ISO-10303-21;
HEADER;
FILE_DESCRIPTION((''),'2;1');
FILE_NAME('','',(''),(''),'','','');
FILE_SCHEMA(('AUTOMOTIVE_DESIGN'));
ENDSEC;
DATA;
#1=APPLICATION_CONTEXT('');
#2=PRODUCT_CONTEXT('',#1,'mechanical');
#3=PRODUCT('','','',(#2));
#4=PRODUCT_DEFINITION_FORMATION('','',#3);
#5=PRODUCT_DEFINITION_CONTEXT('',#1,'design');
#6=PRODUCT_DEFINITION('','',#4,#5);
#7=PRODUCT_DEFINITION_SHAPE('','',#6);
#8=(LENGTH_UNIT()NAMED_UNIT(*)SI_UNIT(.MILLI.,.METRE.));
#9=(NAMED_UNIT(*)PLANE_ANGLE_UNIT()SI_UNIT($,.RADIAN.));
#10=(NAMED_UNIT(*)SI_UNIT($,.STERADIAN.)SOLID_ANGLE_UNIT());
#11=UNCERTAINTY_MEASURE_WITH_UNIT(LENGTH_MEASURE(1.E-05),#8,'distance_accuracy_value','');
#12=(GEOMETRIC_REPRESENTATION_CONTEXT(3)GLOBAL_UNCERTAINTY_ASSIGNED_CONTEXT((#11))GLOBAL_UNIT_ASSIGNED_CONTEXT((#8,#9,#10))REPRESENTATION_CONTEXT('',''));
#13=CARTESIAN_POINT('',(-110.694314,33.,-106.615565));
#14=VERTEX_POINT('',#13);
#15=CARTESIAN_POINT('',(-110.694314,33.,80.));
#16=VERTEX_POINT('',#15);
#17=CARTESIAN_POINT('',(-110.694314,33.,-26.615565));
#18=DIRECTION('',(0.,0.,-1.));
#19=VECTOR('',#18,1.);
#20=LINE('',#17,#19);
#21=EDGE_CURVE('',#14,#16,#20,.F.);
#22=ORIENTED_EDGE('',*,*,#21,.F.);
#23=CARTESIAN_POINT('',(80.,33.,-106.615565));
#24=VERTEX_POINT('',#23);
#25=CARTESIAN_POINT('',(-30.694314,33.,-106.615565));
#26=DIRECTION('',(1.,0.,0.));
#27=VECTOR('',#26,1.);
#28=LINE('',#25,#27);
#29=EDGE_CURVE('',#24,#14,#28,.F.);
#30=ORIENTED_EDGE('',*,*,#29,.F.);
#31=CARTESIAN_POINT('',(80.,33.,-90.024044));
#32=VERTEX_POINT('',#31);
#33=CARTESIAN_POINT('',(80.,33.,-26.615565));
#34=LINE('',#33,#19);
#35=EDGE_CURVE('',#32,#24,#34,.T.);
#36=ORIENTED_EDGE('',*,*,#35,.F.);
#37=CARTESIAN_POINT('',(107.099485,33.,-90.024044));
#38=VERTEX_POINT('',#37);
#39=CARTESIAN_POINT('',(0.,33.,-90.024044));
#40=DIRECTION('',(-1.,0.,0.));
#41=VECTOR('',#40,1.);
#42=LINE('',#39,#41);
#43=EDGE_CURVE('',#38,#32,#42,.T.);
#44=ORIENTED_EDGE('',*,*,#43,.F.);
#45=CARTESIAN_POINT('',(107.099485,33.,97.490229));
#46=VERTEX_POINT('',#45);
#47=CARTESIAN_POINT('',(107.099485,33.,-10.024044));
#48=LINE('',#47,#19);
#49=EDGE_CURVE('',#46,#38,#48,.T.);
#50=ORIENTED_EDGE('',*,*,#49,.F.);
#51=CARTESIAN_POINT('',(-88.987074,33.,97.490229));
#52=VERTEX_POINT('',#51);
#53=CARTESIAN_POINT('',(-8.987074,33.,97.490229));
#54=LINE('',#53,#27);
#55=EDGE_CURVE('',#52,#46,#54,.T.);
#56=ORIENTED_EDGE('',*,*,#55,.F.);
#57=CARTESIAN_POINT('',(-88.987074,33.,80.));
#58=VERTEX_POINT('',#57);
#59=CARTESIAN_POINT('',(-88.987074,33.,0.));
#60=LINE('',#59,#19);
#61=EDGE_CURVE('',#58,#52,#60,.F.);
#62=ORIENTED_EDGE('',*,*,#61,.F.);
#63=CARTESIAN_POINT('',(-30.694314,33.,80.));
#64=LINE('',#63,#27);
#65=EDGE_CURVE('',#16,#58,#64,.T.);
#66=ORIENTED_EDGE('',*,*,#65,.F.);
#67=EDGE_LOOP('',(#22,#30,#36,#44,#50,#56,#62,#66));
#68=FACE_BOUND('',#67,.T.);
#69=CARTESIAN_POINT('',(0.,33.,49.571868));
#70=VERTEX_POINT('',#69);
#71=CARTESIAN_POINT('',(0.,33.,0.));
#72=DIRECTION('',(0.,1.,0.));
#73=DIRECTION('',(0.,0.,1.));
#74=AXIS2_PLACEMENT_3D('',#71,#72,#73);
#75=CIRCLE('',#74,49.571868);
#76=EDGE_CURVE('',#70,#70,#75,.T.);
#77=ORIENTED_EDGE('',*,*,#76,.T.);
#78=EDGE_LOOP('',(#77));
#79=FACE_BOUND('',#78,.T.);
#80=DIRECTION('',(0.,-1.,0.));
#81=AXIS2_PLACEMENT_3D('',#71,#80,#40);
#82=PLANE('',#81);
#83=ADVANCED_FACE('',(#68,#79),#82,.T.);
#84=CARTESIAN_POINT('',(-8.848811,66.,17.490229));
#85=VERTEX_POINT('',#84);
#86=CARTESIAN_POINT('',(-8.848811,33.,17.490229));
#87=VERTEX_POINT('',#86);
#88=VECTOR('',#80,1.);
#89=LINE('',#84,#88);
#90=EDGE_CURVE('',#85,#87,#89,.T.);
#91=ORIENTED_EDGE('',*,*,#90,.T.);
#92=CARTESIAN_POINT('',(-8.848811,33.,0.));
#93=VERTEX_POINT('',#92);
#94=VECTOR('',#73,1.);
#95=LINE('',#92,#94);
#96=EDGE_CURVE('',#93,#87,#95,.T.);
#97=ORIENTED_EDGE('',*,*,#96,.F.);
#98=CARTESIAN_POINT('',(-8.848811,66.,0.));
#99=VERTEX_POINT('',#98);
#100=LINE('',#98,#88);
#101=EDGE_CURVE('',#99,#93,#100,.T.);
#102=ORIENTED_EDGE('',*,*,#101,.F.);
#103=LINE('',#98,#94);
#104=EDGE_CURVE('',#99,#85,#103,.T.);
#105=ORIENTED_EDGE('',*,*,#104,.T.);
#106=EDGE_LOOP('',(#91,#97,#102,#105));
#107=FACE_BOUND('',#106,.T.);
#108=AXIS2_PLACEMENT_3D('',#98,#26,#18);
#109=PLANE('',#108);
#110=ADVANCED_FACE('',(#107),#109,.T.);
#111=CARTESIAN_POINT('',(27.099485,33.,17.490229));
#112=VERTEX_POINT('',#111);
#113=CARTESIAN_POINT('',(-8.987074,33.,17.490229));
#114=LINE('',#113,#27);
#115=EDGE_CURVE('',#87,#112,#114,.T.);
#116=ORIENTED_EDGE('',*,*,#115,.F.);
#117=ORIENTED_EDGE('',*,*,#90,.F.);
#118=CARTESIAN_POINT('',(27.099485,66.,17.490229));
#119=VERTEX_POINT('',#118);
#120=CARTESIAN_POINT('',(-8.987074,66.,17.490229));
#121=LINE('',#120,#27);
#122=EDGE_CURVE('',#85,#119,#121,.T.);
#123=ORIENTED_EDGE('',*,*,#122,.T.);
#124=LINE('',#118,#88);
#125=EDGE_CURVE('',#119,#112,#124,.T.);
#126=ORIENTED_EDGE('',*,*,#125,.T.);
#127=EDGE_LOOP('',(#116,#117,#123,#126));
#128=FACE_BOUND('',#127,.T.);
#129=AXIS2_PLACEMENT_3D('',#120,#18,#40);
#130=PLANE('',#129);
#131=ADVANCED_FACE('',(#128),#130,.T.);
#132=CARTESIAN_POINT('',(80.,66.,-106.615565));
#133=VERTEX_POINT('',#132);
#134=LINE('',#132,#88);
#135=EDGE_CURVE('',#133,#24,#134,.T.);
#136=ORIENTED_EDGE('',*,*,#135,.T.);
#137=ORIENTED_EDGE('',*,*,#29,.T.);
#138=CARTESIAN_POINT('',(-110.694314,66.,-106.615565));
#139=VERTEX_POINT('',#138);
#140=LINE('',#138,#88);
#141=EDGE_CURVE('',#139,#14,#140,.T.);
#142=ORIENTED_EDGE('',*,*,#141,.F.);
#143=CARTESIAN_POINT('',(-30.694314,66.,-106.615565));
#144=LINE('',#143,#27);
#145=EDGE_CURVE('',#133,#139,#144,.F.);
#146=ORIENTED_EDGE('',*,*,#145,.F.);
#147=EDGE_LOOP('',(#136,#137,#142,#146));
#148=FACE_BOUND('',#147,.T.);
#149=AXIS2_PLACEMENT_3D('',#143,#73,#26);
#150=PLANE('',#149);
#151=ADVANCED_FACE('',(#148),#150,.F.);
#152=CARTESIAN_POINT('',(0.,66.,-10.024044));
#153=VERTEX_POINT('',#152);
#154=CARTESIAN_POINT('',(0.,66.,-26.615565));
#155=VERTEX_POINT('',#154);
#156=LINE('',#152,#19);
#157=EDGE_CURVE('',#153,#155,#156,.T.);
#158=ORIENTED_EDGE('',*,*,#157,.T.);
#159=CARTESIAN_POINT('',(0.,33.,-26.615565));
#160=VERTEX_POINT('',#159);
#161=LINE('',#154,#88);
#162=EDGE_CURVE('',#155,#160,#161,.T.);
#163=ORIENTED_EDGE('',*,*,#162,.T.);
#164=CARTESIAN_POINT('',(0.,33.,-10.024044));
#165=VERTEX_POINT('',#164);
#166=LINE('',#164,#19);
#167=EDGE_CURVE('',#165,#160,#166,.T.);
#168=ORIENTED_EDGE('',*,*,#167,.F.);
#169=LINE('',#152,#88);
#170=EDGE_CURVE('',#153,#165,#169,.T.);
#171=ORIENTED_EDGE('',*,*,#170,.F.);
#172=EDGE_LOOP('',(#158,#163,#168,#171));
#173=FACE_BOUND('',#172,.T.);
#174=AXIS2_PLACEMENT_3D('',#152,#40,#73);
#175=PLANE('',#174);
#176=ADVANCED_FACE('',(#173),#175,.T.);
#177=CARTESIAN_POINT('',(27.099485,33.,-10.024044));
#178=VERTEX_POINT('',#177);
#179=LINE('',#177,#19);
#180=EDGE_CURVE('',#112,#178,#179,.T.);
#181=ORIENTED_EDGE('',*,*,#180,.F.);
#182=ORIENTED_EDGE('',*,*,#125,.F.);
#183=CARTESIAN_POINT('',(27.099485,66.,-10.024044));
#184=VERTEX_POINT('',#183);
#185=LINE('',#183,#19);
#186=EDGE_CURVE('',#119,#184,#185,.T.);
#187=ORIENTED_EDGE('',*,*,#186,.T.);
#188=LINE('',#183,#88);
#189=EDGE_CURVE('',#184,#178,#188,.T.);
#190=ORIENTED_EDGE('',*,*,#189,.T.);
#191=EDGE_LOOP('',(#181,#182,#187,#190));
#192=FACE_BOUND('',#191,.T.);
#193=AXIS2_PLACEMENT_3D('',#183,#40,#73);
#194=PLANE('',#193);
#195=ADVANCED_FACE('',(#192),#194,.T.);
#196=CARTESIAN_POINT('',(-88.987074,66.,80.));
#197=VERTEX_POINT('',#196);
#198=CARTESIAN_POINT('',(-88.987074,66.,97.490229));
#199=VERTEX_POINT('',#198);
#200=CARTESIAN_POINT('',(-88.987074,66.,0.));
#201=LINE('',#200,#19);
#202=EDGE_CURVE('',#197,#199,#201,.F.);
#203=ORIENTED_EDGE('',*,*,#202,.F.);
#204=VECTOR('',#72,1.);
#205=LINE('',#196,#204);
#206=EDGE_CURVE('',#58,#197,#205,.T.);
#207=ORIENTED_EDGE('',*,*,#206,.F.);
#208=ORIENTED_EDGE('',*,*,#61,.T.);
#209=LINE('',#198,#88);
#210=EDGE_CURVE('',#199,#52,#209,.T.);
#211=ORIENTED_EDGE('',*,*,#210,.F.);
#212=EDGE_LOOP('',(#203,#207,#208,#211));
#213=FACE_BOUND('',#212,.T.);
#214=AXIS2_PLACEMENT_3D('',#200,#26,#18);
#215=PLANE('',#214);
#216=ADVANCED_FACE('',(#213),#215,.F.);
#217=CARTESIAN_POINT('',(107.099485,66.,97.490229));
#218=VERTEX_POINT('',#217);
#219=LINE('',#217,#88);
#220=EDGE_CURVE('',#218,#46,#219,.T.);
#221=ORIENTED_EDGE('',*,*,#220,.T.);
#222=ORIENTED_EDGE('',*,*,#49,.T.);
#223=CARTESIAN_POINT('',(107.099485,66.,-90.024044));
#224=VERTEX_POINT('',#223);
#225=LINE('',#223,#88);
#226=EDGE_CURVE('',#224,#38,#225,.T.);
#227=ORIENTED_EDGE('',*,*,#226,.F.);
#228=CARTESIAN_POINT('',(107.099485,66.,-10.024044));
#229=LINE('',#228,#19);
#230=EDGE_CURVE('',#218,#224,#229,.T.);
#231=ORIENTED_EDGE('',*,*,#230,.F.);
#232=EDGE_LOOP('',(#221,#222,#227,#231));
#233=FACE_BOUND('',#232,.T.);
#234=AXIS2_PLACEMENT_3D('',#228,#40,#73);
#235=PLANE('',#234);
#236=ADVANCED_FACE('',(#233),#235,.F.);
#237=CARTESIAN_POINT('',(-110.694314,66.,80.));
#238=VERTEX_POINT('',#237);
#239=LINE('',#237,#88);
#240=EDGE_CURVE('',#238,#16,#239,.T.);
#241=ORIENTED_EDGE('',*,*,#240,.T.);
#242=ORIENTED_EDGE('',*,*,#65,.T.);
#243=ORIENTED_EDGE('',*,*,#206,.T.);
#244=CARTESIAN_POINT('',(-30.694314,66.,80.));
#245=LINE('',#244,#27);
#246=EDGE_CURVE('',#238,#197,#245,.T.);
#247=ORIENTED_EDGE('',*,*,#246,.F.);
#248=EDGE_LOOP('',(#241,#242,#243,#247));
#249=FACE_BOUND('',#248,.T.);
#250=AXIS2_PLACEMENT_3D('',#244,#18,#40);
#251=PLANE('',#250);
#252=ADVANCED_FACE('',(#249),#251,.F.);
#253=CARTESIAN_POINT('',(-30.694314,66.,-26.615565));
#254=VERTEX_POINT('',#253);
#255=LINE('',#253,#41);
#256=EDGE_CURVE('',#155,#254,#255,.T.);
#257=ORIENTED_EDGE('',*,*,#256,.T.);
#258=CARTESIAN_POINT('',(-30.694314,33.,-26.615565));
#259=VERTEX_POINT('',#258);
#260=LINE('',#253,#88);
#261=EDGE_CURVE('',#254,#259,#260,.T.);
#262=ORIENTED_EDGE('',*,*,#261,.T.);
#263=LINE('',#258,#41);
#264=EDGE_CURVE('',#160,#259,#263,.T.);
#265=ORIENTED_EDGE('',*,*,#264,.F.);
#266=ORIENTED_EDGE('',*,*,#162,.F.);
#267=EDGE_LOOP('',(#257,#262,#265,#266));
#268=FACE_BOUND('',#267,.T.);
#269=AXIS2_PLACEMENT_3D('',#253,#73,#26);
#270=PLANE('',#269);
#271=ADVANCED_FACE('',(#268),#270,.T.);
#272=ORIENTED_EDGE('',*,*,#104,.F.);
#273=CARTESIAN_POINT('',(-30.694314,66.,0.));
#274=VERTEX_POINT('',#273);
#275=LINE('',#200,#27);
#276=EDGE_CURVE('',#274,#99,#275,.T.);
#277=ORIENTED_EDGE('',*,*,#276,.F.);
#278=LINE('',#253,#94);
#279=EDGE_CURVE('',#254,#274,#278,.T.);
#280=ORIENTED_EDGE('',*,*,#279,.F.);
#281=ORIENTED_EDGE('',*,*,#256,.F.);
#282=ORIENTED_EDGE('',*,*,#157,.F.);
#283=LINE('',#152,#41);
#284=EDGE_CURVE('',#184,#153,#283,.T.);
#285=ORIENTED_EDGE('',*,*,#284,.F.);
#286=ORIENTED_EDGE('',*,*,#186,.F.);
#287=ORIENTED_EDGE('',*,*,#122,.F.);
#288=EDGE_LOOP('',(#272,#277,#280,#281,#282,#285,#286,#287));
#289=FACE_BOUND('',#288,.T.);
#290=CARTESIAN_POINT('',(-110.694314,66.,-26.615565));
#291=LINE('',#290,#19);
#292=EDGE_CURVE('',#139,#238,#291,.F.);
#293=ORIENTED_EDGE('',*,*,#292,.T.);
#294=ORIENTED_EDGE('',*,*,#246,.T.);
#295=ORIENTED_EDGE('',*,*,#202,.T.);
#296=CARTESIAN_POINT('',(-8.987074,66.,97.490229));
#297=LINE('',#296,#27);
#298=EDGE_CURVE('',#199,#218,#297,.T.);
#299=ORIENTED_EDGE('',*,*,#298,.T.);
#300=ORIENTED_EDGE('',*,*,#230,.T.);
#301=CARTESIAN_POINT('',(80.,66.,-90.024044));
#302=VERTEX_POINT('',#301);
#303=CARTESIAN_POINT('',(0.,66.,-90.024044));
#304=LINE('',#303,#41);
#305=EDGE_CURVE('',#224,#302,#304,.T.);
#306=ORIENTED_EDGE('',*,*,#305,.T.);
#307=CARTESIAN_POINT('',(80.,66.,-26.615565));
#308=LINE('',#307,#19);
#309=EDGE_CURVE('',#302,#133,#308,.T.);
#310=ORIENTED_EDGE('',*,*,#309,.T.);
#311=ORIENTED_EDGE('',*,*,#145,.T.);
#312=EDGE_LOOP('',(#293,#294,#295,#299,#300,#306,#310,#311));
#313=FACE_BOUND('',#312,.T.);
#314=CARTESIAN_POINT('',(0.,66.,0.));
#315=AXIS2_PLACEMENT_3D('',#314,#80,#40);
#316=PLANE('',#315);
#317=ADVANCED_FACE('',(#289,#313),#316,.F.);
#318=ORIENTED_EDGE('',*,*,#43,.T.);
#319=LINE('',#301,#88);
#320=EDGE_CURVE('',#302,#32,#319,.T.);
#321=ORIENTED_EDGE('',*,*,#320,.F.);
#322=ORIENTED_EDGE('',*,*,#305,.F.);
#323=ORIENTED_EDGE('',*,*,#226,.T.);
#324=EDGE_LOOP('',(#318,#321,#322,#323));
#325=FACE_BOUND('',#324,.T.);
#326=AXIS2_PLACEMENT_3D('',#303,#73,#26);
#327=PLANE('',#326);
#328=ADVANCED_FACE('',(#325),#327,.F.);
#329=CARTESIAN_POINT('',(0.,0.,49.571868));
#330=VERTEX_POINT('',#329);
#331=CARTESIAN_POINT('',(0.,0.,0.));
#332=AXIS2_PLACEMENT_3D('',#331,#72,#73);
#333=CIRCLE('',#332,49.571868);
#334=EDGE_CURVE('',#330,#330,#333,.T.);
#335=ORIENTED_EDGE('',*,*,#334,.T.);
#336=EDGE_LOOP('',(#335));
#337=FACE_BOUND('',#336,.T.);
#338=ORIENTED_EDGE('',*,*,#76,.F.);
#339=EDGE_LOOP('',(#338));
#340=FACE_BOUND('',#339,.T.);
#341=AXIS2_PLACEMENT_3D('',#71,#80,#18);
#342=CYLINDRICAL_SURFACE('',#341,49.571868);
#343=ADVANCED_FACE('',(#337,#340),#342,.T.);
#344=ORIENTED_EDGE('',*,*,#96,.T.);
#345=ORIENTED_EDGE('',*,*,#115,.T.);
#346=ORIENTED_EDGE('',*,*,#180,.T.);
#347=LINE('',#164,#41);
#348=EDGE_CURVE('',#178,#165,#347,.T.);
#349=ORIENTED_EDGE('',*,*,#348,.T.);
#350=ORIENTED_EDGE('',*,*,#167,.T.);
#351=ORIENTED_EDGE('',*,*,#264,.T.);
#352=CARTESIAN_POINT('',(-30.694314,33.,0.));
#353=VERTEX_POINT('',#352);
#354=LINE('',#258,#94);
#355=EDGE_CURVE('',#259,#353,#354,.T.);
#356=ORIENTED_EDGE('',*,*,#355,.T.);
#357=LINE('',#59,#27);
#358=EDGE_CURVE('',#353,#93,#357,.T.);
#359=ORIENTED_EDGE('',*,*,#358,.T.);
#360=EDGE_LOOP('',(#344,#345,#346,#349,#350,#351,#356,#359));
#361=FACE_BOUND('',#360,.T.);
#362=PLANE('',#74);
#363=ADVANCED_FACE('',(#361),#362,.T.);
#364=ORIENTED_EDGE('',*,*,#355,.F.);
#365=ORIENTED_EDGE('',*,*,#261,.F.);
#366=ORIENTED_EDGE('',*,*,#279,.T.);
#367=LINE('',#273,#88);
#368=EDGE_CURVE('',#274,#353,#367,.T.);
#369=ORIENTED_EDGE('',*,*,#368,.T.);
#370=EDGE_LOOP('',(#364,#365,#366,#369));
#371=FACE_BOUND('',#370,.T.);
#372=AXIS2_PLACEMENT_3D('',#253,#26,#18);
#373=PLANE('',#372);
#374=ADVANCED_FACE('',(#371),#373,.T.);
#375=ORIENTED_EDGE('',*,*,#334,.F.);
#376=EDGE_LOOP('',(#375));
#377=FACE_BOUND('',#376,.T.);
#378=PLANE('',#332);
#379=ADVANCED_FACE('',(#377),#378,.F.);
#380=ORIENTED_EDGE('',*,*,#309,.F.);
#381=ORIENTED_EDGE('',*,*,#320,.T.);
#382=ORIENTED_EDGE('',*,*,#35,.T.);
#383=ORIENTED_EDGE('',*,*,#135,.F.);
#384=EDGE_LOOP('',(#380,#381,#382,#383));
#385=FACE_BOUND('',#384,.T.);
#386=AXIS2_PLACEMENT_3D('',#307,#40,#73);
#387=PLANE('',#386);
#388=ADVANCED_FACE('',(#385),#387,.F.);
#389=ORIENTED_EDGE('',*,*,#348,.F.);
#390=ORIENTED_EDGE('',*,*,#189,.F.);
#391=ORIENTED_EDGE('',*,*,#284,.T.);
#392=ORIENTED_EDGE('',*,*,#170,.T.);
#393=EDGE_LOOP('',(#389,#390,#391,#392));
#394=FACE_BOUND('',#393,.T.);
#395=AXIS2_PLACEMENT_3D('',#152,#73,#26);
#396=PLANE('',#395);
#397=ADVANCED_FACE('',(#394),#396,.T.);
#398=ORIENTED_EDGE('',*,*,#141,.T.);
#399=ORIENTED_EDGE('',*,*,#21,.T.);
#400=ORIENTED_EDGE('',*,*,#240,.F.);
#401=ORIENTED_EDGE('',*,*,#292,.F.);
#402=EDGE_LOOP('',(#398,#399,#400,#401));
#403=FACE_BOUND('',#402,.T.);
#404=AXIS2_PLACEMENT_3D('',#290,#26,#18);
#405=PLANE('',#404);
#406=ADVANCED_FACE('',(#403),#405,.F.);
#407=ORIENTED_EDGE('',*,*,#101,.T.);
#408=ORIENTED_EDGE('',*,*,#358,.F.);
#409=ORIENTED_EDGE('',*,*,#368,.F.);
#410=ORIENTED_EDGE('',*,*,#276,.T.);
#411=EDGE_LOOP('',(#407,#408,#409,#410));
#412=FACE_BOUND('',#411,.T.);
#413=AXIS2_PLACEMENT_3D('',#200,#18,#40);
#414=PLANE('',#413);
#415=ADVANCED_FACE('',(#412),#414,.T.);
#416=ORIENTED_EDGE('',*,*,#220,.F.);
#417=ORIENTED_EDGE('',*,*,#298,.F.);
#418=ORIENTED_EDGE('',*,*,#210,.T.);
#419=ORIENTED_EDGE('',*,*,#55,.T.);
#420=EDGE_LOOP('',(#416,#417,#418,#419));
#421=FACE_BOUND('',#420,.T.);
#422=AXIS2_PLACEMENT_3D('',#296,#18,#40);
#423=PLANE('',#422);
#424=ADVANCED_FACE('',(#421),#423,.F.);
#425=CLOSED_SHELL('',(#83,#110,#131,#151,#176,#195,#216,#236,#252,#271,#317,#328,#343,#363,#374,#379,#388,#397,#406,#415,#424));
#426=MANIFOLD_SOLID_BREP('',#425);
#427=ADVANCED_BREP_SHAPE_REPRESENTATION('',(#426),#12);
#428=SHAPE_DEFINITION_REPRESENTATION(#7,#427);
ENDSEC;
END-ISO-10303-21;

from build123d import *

# Parameters (mm, degrees)
SKIZZE1_R                       = 49.571868138
AUFSATZ_LINEAR_AUSTRAGEN6_DEPTH = 33
LINEAR_AUSTRAGEN_D_NN9_DEPTH    = 33


with BuildPart() as part:
    # Skizze1 → Aufsatz-Linear austragen6 (new body)
    with BuildSketch(Plane(origin=(0, 0, 0), x_dir=(1, 0, 0), z_dir=(0, 1, 0))):
        with Locations(Location((0, 0, 0), (0, 0, 270))):
            Circle(SKIZZE1_R)
    extrude(amount=AUFSATZ_LINEAR_AUSTRAGEN6_DEPTH)

    # Skizze2 → Linear-Austragen-Dünn9 (add)
    with BuildSketch(Plane(origin=(0, 33, 0), x_dir=(1, 0, 0), z_dir=(0, 1, 0))):
        Polygon((-8.848811268, 0), (-30.694314085, 0), (-30.694314085, 26.615565141), (0, 26.615565141), (0, 10.300569366), (80, 10.300569366), (80, 106.615565141), (-110.694314085, 106.615565141), (-110.694314085, -80), (-8.848811268, -80), align=None)
        Polygon((0, 10.024044014), (27.099484508, 10.024044014), (27.099484508, -17.490228521), (-8.987073944, -17.490228521), (-8.987073944, 0), (-88.987073944, 0), (-88.987073944, -97.490228521), (107.099484508, -97.490228521), (107.099484508, 90.024044014), (0, 90.024044014), align=None)
    extrude(amount=LINEAR_AUSTRAGEN_D_NN9_DEPTH)


solid = part.part
